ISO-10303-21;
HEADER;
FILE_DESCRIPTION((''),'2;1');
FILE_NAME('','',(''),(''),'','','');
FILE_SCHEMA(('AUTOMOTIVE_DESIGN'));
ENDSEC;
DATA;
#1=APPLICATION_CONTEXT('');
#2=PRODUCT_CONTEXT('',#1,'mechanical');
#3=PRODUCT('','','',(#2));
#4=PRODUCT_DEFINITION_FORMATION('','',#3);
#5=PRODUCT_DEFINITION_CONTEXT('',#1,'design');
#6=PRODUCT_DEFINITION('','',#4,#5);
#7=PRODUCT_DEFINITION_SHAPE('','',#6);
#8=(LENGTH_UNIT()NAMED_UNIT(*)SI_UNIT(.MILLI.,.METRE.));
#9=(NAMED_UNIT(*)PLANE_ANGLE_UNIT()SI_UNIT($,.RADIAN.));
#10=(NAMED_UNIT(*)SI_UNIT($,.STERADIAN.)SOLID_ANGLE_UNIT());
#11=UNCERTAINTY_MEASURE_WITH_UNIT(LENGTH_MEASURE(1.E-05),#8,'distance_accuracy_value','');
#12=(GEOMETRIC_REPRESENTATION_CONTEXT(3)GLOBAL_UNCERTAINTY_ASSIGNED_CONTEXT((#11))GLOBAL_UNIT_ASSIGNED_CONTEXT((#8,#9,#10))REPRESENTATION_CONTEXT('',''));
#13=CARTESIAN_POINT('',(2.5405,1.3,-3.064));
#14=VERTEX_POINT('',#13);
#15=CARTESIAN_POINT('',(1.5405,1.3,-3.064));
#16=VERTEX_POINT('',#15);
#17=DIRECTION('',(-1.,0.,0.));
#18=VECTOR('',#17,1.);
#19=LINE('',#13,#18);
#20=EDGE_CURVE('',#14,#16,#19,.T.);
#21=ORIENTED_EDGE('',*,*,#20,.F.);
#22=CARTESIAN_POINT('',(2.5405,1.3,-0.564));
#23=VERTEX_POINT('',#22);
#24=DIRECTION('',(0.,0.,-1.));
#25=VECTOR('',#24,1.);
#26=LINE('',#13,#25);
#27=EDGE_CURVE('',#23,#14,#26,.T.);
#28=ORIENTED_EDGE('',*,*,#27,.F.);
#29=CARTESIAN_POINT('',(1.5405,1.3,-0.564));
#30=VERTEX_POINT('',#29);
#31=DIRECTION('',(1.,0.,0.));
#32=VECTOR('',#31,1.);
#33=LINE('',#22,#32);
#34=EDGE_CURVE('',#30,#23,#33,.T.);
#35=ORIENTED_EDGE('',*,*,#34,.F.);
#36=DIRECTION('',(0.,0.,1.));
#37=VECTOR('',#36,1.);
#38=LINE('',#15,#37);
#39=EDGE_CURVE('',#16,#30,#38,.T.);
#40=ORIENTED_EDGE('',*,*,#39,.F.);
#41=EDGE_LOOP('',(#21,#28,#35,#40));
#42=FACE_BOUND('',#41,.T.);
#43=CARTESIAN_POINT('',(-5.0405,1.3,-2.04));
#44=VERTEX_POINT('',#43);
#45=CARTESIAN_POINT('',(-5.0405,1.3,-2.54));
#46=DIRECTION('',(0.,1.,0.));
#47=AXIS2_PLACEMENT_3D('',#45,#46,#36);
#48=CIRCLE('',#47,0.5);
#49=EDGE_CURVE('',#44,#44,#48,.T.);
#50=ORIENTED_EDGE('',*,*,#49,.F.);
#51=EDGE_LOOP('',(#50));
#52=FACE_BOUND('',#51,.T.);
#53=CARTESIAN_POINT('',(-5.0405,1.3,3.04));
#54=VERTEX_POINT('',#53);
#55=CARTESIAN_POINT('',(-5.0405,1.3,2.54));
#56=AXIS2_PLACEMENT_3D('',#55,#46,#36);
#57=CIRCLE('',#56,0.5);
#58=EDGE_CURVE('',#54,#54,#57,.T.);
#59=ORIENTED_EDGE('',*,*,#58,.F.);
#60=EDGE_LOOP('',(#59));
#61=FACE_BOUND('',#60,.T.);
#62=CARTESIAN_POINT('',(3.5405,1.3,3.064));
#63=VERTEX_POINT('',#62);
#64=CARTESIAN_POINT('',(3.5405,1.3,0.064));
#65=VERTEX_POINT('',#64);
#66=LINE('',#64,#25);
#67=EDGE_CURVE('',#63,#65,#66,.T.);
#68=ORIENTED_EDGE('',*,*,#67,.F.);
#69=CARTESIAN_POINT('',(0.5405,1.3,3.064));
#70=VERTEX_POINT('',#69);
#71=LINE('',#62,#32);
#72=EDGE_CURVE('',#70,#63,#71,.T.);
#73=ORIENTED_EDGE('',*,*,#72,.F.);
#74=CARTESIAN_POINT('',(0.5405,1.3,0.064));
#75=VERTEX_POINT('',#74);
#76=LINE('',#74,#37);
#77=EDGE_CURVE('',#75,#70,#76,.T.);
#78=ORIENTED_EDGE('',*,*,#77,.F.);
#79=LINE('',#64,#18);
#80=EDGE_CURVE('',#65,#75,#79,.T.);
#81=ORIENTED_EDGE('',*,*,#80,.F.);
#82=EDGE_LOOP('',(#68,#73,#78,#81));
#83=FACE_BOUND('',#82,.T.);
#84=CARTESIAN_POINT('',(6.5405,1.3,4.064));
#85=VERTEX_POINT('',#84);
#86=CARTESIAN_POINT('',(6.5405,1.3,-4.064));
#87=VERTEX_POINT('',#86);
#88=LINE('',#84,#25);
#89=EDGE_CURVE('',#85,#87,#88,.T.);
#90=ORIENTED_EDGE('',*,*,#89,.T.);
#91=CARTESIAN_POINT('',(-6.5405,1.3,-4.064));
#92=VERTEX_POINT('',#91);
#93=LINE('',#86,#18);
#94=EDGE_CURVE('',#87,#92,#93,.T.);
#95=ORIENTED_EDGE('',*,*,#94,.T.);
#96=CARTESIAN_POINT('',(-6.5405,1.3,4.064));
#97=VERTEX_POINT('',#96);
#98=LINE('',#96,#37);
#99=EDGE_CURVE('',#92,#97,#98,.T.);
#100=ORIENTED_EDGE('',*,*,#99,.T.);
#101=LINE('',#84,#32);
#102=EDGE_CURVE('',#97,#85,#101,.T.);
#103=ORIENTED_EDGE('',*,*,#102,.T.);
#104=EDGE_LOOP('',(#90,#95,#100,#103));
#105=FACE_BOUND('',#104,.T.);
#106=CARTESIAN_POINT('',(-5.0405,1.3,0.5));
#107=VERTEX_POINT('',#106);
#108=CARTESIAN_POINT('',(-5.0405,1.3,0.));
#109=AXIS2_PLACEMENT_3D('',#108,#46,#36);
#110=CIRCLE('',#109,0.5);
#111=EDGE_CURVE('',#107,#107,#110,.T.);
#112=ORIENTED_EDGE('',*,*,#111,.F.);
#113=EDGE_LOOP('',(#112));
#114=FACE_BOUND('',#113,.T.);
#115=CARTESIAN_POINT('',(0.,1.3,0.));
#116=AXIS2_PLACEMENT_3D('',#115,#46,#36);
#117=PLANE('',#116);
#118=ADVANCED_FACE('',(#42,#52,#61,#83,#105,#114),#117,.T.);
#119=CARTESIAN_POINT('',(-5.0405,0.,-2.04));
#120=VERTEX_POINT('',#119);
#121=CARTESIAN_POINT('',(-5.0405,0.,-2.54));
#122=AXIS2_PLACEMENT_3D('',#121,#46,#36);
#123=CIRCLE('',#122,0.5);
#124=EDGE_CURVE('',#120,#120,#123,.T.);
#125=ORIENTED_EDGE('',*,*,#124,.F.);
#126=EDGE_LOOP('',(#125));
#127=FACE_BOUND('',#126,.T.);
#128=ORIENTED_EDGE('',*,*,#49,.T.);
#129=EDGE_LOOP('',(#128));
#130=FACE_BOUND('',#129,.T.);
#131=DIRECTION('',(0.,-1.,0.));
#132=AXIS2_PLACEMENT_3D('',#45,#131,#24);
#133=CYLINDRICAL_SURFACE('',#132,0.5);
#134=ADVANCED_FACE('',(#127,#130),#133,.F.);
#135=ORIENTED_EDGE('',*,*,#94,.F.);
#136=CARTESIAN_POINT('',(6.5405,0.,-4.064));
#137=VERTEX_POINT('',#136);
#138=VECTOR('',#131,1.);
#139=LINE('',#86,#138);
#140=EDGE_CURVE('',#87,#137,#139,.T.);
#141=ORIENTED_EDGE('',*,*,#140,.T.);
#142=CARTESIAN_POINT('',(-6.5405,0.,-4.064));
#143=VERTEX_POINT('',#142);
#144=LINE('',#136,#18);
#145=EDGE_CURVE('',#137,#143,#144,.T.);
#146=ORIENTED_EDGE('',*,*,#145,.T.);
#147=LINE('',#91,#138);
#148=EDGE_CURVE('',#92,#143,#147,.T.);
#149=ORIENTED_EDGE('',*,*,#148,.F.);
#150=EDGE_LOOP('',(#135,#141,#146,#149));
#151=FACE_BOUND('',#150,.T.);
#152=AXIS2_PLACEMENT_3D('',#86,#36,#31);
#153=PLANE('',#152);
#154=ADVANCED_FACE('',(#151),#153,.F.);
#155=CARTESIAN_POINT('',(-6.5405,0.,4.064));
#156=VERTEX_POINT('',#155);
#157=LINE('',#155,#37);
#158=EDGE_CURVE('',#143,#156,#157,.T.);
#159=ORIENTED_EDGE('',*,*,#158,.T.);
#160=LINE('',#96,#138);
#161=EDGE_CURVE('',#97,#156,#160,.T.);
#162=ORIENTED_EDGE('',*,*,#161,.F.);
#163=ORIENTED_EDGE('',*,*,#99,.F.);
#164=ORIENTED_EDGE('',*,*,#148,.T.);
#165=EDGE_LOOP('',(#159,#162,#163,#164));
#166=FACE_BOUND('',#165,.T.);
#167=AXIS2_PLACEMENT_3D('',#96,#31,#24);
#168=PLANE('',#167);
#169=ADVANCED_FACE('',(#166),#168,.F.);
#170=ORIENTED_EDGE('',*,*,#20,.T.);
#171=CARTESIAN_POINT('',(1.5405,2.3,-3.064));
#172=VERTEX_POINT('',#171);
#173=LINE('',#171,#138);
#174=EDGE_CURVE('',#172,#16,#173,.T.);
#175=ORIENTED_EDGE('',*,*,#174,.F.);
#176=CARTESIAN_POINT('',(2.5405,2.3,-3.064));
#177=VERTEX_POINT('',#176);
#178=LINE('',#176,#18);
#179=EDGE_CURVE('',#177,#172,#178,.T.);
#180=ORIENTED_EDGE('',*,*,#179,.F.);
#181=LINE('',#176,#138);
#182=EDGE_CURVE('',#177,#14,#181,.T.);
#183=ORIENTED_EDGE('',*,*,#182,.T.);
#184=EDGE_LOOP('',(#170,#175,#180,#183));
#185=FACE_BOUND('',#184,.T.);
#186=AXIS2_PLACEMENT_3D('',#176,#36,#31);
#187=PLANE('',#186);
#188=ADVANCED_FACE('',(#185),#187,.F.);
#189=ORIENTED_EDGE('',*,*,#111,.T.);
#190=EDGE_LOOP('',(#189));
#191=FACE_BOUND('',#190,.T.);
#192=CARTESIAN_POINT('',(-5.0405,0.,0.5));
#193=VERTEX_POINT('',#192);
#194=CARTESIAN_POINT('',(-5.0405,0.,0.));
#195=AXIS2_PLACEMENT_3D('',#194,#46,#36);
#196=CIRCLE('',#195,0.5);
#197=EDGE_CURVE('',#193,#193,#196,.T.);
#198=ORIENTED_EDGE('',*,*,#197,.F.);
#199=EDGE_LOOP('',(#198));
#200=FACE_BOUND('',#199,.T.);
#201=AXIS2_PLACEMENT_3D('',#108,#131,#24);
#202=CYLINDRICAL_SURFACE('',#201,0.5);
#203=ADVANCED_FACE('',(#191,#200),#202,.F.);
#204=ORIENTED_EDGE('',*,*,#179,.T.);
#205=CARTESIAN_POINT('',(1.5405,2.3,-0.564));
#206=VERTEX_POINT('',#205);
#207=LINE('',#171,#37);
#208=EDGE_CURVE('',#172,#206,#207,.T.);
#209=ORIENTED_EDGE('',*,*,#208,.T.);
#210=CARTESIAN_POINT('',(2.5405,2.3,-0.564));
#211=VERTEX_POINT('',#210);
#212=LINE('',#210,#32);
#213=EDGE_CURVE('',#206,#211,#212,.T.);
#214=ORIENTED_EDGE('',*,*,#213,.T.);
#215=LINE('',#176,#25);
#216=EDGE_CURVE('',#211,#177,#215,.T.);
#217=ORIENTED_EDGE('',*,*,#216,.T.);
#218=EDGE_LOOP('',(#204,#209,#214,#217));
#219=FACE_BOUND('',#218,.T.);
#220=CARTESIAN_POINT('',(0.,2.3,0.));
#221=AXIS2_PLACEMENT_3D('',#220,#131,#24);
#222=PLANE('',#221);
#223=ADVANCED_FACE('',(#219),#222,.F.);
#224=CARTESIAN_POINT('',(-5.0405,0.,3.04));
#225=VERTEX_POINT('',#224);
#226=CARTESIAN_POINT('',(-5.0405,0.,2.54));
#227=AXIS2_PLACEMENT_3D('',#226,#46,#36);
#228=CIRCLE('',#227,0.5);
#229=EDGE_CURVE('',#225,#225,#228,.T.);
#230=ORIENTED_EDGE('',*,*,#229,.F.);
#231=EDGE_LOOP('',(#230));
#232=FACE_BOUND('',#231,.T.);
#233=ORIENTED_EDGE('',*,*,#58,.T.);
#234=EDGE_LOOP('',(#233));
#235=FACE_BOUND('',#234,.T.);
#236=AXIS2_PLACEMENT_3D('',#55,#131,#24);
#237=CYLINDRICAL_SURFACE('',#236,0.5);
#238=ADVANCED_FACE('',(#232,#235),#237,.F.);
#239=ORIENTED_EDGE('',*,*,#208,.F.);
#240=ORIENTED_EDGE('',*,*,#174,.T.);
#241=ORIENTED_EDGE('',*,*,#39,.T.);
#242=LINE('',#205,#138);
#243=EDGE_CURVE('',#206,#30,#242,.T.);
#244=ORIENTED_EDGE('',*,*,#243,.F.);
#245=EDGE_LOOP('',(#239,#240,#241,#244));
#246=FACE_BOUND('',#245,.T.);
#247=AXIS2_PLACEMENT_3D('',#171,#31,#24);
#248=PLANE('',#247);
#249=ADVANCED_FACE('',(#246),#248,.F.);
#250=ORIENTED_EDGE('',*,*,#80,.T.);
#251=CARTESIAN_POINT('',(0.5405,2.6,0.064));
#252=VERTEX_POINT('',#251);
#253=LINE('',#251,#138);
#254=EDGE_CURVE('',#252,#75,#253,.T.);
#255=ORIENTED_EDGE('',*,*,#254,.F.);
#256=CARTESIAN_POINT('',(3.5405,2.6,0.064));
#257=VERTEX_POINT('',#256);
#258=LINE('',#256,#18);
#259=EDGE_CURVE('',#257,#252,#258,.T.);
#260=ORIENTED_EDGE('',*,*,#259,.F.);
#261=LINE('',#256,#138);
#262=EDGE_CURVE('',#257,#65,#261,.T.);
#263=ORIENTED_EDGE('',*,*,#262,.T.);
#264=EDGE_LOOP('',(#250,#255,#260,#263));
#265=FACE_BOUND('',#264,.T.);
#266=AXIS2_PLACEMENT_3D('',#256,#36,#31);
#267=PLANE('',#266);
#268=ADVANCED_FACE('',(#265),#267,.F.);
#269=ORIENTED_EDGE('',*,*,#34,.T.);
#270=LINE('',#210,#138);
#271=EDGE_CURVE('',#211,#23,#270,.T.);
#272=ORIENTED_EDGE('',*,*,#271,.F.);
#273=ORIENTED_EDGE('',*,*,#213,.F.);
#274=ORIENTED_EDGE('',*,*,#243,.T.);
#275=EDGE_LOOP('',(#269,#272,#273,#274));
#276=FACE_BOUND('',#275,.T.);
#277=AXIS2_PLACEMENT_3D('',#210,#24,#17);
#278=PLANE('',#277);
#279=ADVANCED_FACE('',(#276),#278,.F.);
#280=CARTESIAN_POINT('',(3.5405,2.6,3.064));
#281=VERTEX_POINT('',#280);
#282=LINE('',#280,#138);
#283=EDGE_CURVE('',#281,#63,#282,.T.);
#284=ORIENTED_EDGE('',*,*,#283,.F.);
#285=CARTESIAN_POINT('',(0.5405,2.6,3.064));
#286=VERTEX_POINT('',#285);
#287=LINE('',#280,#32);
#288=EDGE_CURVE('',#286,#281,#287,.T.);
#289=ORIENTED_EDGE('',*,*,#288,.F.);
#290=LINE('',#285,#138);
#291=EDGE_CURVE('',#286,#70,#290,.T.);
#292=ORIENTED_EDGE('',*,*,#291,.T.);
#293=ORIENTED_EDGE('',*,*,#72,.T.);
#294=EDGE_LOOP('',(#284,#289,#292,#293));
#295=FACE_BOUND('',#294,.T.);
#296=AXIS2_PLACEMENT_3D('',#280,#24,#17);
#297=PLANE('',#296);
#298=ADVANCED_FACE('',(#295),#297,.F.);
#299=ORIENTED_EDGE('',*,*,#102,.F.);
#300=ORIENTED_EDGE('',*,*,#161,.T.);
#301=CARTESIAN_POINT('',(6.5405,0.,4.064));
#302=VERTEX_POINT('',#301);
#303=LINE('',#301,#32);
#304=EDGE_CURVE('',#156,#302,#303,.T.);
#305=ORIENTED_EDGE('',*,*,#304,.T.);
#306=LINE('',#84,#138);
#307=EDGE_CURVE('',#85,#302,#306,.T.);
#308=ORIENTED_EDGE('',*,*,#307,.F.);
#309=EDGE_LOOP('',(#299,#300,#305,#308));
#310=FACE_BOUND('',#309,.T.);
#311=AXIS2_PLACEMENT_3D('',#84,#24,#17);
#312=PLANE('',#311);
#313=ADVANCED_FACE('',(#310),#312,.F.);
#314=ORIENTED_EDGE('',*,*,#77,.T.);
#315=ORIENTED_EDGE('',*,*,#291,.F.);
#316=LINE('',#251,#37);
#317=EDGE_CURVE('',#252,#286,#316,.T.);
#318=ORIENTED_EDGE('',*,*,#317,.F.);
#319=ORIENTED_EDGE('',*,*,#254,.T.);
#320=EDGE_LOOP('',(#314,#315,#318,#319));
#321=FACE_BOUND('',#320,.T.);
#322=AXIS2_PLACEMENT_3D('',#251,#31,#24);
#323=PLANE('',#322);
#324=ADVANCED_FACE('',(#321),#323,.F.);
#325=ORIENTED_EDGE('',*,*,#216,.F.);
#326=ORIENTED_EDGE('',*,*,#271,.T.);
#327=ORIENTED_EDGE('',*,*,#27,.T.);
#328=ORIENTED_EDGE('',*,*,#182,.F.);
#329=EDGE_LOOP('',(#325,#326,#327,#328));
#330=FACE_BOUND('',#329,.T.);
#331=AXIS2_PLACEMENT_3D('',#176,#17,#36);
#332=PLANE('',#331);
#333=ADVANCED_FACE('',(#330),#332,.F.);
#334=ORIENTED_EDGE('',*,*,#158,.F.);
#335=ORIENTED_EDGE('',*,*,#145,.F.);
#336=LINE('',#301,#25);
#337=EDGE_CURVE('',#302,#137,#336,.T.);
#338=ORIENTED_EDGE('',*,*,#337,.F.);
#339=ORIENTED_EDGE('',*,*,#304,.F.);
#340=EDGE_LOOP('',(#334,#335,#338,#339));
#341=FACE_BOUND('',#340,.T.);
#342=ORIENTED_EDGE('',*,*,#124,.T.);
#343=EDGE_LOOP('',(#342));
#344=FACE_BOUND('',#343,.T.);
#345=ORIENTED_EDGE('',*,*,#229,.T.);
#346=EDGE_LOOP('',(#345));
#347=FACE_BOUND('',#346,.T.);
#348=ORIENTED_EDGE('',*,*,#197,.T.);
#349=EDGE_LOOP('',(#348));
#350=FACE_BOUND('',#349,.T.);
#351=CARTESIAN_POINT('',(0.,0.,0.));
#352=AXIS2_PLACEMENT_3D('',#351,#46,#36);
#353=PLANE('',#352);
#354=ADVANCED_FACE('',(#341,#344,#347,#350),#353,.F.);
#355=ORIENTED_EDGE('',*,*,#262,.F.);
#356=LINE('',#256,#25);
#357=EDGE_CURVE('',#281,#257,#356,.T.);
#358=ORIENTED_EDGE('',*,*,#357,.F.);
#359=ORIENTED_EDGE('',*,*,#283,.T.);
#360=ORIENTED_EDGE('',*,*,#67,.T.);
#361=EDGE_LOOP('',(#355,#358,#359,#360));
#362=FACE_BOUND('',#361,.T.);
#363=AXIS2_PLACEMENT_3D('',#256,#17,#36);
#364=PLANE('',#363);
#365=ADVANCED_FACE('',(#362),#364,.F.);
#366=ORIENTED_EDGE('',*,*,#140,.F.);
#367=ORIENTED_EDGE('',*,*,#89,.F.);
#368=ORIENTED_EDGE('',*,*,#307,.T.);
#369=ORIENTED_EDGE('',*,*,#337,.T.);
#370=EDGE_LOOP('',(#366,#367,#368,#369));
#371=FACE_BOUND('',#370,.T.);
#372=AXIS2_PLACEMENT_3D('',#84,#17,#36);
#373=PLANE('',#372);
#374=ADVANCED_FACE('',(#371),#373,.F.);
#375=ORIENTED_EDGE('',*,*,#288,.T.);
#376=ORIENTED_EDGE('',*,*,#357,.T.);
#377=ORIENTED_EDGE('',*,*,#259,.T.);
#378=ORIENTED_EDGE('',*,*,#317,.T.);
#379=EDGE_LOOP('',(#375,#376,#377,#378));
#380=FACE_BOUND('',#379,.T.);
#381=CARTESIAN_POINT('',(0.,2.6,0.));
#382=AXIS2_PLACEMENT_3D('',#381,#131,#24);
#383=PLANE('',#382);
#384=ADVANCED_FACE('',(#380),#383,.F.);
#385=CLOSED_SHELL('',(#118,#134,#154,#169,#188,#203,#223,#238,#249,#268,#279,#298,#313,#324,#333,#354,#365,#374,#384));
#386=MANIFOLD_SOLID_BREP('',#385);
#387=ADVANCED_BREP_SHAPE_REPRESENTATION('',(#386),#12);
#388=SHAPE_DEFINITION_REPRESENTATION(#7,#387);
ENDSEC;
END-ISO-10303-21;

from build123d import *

# Parameters (mm, degrees)
SKETCH1_W           = 13.081
SKETCH1_H           = 8.128
SKETCH1_R           = 0.5
BOSS_EXTRUDE1_DEPTH = 1.3
SKETCH2_W           = 3
SKETCH2_H           = 3
BOSS_EXTRUDE2_DEPTH = 1.3
SKETCH3_W           = 1
SKETCH3_H           = 2.5
BOSS_EXTRUDE3_DEPTH = 1


with BuildPart() as part:
    # Sketch1 → Boss-Extrude1 (new body)
    with BuildSketch(Plane(origin=(0, 0, 0), x_dir=(1, 0, 0), z_dir=(0, 1, 0))):
        Rectangle(SKETCH1_W, SKETCH1_H)
        with Locations(Location((-5.0405, 2.54, 0), (0, 0, 270))):
            Circle(SKETCH1_R, mode=Mode.SUBTRACT)
        with Locations(Location((-5.0405, 0, 0), (0, 0, 270))):
            Circle(SKETCH1_R, mode=Mode.SUBTRACT)
        with Locations(Location((-5.0405, -2.54, 0), (0, 0, 270))):
            Circle(SKETCH1_R, mode=Mode.SUBTRACT)
    extrude(amount=BOSS_EXTRUDE1_DEPTH)

    # Sketch2 → Boss-Extrude2 (add)
    with BuildSketch(Plane(origin=(0, 1.3, 0), x_dir=(1, 0, 0), z_dir=(0, 1, 0))):
        with Locations((2.0405, -1.564)):
            Rectangle(SKETCH2_W, SKETCH2_H)
    extrude(amount=BOSS_EXTRUDE2_DEPTH)

    # Sketch3 → Boss-Extrude3 (add)
    with BuildSketch(Plane(origin=(0, 1.3, 0), x_dir=(1, 0, 0), z_dir=(0, 1, 0))):
        with Locations((2.0405, 1.814)):
            Rectangle(SKETCH3_W, SKETCH3_H)
    extrude(amount=BOSS_EXTRUDE3_DEPTH)


solid = part.part
